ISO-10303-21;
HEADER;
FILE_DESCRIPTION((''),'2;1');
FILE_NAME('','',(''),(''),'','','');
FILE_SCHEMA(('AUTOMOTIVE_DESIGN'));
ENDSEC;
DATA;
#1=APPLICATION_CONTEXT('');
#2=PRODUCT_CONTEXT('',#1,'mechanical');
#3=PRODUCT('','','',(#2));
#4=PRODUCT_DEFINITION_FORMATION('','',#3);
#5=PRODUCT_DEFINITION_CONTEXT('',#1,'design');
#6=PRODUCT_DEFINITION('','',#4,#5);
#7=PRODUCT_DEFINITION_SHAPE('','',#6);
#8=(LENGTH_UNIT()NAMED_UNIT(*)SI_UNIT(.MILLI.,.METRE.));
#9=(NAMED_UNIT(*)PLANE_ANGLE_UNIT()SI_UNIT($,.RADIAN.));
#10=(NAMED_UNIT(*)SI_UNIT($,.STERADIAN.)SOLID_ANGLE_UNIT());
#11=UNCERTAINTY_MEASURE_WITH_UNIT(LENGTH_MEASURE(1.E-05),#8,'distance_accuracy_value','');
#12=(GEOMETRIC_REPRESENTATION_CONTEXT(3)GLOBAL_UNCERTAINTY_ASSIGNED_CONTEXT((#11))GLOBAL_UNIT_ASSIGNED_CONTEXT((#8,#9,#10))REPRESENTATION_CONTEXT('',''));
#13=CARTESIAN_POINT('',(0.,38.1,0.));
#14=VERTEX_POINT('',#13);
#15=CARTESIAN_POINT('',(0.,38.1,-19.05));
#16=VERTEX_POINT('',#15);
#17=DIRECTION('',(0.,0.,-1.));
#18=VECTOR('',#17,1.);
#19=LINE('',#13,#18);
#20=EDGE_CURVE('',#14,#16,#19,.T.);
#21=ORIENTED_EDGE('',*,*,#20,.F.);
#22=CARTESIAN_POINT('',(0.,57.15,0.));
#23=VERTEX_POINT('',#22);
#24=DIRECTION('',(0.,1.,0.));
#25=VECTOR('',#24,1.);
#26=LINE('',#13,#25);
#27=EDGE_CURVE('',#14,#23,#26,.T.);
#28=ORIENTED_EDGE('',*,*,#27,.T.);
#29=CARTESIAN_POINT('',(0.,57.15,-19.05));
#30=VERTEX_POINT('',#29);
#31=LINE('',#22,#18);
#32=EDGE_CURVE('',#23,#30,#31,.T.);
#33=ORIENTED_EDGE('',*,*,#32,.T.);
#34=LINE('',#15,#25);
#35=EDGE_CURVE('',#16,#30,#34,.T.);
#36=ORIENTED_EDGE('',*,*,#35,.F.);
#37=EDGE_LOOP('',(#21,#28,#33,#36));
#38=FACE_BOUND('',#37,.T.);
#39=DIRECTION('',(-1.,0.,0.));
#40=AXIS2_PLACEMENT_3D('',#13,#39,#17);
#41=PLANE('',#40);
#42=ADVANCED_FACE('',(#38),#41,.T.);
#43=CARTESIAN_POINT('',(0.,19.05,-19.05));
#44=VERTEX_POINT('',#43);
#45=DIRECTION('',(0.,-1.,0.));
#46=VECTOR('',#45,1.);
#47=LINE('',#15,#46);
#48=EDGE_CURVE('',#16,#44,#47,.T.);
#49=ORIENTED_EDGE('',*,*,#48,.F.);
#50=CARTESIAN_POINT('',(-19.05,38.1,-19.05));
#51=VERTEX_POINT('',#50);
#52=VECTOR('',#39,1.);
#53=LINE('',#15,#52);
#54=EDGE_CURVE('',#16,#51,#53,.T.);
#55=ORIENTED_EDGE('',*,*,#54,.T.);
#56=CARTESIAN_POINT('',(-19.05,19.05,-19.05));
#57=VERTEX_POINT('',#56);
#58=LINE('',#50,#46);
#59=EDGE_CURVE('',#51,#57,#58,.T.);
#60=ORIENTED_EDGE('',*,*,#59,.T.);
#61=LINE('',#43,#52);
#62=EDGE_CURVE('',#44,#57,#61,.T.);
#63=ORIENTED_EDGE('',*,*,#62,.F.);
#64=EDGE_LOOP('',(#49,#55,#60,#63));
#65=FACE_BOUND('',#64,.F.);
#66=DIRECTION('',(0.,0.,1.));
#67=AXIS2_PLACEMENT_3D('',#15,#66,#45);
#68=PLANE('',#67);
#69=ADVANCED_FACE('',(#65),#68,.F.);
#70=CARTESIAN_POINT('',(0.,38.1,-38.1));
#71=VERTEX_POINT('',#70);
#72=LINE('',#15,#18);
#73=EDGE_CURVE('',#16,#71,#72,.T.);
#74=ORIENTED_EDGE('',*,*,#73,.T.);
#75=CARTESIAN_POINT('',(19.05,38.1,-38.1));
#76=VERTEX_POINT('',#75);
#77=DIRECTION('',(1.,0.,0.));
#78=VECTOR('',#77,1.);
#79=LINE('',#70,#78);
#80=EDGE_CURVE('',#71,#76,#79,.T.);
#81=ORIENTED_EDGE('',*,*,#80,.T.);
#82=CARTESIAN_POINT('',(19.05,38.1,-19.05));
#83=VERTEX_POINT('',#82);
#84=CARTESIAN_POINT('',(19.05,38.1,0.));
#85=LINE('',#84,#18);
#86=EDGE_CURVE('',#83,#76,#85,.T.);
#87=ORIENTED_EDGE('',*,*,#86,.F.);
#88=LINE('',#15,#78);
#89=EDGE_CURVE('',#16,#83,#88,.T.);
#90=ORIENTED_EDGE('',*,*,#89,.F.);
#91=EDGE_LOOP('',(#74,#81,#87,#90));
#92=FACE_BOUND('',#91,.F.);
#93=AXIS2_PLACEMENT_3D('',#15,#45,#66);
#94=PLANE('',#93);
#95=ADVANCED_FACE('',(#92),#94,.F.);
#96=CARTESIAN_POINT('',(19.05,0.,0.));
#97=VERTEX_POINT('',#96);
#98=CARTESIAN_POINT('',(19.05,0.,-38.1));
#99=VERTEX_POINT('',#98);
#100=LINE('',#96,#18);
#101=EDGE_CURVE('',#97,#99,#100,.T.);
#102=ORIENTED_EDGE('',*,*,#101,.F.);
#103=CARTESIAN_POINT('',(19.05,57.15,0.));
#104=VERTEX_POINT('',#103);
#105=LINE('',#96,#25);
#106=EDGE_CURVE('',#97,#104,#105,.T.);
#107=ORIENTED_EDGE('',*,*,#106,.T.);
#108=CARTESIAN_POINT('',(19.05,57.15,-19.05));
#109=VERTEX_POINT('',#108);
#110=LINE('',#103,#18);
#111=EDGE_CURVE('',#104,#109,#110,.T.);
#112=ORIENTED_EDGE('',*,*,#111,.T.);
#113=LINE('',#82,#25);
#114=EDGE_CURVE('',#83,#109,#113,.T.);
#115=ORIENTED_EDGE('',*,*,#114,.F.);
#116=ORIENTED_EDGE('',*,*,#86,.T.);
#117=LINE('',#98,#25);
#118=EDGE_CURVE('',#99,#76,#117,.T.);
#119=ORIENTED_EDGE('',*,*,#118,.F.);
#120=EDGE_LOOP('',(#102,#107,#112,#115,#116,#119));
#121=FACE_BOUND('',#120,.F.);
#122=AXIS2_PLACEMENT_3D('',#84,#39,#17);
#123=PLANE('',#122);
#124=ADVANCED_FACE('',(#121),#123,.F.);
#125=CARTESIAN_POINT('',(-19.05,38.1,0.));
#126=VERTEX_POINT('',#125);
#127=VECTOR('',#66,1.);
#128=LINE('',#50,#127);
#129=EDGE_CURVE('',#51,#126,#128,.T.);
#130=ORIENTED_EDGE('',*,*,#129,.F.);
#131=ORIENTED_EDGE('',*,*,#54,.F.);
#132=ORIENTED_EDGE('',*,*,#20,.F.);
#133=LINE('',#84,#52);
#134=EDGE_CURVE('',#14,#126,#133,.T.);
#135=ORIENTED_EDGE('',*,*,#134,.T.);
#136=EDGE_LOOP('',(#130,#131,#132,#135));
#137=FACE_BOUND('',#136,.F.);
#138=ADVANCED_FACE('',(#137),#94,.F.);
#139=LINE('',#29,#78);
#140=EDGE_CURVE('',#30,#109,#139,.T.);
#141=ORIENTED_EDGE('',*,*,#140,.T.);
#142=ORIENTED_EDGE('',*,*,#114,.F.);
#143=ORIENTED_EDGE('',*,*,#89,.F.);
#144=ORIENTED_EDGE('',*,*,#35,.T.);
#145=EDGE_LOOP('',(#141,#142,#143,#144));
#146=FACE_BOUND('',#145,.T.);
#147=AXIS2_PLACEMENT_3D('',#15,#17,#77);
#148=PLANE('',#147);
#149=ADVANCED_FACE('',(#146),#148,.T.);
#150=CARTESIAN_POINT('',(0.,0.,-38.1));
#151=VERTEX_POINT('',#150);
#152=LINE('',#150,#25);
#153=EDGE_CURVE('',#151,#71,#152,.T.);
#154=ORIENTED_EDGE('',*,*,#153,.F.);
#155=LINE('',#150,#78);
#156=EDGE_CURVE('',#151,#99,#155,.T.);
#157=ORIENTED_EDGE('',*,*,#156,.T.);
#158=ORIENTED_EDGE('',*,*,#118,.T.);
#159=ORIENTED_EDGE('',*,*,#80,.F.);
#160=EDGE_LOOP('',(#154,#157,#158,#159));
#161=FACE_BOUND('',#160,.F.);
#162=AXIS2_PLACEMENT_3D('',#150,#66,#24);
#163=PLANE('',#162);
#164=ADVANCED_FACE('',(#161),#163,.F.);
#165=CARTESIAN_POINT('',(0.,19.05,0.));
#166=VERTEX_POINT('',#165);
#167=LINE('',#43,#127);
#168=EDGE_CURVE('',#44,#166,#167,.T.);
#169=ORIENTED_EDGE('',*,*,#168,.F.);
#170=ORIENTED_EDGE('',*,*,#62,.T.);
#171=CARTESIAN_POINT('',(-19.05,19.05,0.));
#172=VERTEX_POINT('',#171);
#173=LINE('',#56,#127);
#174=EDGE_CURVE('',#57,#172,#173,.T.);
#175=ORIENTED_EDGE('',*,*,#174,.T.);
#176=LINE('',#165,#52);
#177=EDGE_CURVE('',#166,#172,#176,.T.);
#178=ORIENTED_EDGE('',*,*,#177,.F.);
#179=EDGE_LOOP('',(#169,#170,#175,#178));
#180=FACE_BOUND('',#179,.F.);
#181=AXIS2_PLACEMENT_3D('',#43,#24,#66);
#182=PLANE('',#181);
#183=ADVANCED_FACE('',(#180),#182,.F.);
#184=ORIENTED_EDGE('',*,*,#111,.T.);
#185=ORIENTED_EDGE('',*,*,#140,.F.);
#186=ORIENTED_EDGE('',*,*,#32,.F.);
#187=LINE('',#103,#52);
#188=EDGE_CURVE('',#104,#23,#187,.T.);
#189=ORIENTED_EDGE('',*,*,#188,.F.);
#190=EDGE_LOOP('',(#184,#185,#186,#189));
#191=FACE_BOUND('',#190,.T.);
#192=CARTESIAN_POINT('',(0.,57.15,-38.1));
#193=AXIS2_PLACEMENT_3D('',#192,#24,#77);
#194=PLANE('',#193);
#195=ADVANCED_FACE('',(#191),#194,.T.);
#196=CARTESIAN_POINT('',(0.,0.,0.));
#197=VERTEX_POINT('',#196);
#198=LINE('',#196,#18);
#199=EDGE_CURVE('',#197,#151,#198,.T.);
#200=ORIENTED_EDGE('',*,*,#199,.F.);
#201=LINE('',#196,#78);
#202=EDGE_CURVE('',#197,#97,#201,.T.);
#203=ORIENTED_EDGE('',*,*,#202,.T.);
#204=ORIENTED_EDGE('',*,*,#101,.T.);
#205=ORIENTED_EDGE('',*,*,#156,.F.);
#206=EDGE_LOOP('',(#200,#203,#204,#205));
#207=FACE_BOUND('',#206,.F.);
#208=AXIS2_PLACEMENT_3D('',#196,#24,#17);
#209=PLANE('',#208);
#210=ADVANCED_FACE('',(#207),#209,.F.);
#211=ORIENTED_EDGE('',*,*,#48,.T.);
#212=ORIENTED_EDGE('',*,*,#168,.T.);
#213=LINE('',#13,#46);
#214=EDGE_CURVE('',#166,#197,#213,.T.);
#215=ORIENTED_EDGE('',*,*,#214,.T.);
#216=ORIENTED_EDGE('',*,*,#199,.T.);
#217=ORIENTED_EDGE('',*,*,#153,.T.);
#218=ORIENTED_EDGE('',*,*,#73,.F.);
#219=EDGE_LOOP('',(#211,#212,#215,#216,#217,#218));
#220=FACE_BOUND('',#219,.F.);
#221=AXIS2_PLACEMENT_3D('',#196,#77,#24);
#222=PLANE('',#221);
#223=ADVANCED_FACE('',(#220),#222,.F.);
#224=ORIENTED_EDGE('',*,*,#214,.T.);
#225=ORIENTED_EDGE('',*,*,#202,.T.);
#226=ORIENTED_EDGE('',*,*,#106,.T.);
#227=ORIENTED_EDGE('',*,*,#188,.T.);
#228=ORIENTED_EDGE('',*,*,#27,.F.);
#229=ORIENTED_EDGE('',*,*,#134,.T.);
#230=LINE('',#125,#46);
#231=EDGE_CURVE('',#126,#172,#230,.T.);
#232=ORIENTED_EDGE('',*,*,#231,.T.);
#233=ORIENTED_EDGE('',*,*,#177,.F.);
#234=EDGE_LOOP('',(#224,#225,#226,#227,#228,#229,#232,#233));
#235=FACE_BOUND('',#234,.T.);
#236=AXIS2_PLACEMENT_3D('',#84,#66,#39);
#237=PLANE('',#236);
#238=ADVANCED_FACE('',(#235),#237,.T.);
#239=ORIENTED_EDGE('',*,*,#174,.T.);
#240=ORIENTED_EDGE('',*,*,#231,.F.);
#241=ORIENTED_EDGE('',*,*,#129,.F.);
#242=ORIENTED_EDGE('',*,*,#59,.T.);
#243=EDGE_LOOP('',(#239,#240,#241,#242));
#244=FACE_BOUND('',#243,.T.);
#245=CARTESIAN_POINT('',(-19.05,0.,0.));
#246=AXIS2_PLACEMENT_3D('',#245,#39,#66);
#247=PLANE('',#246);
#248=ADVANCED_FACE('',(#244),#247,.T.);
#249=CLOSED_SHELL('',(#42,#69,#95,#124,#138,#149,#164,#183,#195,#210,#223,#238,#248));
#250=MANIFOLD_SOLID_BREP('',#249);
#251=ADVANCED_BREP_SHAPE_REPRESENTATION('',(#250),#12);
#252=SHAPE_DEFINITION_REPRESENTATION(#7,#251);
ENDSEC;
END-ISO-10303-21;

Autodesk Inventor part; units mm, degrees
ref_plane "YZ Plane" through (0, 0, 0) normal (1, 0, 0) x (0, 1, 0)
ref_plane "XZ Plane" through (0, 0, 0) normal (0, 1, 0) x (-1, 0, 0)
ref_plane "XY Plane" through (0, 0, 0) normal (0, 0, 1) x (1, 0, 0)
sketch "Sketch1" plane through (0, 0, 0) normal (1, 0, 0) x (0, 1, 0)
  line L0 (0, 0) -> (0, -38.1)
  line L1 (0, -38.1) -> (57.15, -38.1)
  line L2 (57.15, -38.1) -> (57.15, -19.05)
  line L3 (57.15, -19.05) -> (38.1, -19.05)
  line L4 (38.1, -19.05) -> (38.1, 0)
  line L5 (38.1, 0) -> (0, 0)
  dimension "d0" = 38.1
  dimension "d1" = 57.15
  dimension "d2" = 19.05
extrude "Extrusion1" add sketch "Sketch1" along normal blind 19.05
sketch "Sketch2" plane through (0, 0, 0) normal (-1, 0, 0) x (0, 0, 1)
  line L0 (-19.05, 38.1) -> (0, 38.1) projected
  line L1 (-19.05, 38.1) -> (-19.05, 19.05)
  line L2 (-19.05, 19.05) -> (0, 19.05)
  line L3 (0, 38.1) -> (0, 0) projected
  line L4 (0, 19.05) -> (0, 38.1)
  line L5 (0, 38.1) -> (-19.05, 38.1)
  dimension "d5" = 19.05
extrude "Extrusion2" add sketch "Sketch2" along normal blind 19.05
sketch "Sketch3" plane through (0, 57.15, -19.05) normal (0, 0, 1) x (1, 0, 0)
  line L0 (0, 0) -> (19.05, 0) projected
  line L1 (0, 0) -> (19.05, 0)
  line L2 (19.05, 0) -> (19.05, -18.7133)
  line L3 (19.05, -57.15) -> (19.05, 0) projected
  line L4 (0, -57.15) -> (0, 0) projected
  line L5 (0, 0) -> (0, -18.7133)
  line L6 (0, -19.05) -> (19.05, -19.05) projected
  line L7 (19.05, -19.05) -> (0, -19.05)
extrude "Extrusion3" cut sketch "Sketch3" against normal blind 19.05
sketch "Sketch4" plane through (0, 38.1, -38.1) normal (0, 1, 0) x (1, 0, 0)
  line L0 (0, -38.1) -> (0, -19.05) projected
  line L1 (0, -19.05) -> (19.05, -19.05)
  line L2 (19.05, -38.1) -> (19.05, 0) projected
  line L3 (19.05, -19.05) -> (19.05, -38.1)
  line L4 (19.05, -38.1) -> (0, -38.1)
  line L5 (-19.05, -38.1) -> (19.05, -38.1) projected
  line L6 (0, -19.05) -> (-19.05, -19.05) projected
  line L7 (0, -19.05) -> (0, -38.1)
extrude "Extrusion4" add sketch "Sketch4" along normal blind 19.05
properties part number "CubePart2"
